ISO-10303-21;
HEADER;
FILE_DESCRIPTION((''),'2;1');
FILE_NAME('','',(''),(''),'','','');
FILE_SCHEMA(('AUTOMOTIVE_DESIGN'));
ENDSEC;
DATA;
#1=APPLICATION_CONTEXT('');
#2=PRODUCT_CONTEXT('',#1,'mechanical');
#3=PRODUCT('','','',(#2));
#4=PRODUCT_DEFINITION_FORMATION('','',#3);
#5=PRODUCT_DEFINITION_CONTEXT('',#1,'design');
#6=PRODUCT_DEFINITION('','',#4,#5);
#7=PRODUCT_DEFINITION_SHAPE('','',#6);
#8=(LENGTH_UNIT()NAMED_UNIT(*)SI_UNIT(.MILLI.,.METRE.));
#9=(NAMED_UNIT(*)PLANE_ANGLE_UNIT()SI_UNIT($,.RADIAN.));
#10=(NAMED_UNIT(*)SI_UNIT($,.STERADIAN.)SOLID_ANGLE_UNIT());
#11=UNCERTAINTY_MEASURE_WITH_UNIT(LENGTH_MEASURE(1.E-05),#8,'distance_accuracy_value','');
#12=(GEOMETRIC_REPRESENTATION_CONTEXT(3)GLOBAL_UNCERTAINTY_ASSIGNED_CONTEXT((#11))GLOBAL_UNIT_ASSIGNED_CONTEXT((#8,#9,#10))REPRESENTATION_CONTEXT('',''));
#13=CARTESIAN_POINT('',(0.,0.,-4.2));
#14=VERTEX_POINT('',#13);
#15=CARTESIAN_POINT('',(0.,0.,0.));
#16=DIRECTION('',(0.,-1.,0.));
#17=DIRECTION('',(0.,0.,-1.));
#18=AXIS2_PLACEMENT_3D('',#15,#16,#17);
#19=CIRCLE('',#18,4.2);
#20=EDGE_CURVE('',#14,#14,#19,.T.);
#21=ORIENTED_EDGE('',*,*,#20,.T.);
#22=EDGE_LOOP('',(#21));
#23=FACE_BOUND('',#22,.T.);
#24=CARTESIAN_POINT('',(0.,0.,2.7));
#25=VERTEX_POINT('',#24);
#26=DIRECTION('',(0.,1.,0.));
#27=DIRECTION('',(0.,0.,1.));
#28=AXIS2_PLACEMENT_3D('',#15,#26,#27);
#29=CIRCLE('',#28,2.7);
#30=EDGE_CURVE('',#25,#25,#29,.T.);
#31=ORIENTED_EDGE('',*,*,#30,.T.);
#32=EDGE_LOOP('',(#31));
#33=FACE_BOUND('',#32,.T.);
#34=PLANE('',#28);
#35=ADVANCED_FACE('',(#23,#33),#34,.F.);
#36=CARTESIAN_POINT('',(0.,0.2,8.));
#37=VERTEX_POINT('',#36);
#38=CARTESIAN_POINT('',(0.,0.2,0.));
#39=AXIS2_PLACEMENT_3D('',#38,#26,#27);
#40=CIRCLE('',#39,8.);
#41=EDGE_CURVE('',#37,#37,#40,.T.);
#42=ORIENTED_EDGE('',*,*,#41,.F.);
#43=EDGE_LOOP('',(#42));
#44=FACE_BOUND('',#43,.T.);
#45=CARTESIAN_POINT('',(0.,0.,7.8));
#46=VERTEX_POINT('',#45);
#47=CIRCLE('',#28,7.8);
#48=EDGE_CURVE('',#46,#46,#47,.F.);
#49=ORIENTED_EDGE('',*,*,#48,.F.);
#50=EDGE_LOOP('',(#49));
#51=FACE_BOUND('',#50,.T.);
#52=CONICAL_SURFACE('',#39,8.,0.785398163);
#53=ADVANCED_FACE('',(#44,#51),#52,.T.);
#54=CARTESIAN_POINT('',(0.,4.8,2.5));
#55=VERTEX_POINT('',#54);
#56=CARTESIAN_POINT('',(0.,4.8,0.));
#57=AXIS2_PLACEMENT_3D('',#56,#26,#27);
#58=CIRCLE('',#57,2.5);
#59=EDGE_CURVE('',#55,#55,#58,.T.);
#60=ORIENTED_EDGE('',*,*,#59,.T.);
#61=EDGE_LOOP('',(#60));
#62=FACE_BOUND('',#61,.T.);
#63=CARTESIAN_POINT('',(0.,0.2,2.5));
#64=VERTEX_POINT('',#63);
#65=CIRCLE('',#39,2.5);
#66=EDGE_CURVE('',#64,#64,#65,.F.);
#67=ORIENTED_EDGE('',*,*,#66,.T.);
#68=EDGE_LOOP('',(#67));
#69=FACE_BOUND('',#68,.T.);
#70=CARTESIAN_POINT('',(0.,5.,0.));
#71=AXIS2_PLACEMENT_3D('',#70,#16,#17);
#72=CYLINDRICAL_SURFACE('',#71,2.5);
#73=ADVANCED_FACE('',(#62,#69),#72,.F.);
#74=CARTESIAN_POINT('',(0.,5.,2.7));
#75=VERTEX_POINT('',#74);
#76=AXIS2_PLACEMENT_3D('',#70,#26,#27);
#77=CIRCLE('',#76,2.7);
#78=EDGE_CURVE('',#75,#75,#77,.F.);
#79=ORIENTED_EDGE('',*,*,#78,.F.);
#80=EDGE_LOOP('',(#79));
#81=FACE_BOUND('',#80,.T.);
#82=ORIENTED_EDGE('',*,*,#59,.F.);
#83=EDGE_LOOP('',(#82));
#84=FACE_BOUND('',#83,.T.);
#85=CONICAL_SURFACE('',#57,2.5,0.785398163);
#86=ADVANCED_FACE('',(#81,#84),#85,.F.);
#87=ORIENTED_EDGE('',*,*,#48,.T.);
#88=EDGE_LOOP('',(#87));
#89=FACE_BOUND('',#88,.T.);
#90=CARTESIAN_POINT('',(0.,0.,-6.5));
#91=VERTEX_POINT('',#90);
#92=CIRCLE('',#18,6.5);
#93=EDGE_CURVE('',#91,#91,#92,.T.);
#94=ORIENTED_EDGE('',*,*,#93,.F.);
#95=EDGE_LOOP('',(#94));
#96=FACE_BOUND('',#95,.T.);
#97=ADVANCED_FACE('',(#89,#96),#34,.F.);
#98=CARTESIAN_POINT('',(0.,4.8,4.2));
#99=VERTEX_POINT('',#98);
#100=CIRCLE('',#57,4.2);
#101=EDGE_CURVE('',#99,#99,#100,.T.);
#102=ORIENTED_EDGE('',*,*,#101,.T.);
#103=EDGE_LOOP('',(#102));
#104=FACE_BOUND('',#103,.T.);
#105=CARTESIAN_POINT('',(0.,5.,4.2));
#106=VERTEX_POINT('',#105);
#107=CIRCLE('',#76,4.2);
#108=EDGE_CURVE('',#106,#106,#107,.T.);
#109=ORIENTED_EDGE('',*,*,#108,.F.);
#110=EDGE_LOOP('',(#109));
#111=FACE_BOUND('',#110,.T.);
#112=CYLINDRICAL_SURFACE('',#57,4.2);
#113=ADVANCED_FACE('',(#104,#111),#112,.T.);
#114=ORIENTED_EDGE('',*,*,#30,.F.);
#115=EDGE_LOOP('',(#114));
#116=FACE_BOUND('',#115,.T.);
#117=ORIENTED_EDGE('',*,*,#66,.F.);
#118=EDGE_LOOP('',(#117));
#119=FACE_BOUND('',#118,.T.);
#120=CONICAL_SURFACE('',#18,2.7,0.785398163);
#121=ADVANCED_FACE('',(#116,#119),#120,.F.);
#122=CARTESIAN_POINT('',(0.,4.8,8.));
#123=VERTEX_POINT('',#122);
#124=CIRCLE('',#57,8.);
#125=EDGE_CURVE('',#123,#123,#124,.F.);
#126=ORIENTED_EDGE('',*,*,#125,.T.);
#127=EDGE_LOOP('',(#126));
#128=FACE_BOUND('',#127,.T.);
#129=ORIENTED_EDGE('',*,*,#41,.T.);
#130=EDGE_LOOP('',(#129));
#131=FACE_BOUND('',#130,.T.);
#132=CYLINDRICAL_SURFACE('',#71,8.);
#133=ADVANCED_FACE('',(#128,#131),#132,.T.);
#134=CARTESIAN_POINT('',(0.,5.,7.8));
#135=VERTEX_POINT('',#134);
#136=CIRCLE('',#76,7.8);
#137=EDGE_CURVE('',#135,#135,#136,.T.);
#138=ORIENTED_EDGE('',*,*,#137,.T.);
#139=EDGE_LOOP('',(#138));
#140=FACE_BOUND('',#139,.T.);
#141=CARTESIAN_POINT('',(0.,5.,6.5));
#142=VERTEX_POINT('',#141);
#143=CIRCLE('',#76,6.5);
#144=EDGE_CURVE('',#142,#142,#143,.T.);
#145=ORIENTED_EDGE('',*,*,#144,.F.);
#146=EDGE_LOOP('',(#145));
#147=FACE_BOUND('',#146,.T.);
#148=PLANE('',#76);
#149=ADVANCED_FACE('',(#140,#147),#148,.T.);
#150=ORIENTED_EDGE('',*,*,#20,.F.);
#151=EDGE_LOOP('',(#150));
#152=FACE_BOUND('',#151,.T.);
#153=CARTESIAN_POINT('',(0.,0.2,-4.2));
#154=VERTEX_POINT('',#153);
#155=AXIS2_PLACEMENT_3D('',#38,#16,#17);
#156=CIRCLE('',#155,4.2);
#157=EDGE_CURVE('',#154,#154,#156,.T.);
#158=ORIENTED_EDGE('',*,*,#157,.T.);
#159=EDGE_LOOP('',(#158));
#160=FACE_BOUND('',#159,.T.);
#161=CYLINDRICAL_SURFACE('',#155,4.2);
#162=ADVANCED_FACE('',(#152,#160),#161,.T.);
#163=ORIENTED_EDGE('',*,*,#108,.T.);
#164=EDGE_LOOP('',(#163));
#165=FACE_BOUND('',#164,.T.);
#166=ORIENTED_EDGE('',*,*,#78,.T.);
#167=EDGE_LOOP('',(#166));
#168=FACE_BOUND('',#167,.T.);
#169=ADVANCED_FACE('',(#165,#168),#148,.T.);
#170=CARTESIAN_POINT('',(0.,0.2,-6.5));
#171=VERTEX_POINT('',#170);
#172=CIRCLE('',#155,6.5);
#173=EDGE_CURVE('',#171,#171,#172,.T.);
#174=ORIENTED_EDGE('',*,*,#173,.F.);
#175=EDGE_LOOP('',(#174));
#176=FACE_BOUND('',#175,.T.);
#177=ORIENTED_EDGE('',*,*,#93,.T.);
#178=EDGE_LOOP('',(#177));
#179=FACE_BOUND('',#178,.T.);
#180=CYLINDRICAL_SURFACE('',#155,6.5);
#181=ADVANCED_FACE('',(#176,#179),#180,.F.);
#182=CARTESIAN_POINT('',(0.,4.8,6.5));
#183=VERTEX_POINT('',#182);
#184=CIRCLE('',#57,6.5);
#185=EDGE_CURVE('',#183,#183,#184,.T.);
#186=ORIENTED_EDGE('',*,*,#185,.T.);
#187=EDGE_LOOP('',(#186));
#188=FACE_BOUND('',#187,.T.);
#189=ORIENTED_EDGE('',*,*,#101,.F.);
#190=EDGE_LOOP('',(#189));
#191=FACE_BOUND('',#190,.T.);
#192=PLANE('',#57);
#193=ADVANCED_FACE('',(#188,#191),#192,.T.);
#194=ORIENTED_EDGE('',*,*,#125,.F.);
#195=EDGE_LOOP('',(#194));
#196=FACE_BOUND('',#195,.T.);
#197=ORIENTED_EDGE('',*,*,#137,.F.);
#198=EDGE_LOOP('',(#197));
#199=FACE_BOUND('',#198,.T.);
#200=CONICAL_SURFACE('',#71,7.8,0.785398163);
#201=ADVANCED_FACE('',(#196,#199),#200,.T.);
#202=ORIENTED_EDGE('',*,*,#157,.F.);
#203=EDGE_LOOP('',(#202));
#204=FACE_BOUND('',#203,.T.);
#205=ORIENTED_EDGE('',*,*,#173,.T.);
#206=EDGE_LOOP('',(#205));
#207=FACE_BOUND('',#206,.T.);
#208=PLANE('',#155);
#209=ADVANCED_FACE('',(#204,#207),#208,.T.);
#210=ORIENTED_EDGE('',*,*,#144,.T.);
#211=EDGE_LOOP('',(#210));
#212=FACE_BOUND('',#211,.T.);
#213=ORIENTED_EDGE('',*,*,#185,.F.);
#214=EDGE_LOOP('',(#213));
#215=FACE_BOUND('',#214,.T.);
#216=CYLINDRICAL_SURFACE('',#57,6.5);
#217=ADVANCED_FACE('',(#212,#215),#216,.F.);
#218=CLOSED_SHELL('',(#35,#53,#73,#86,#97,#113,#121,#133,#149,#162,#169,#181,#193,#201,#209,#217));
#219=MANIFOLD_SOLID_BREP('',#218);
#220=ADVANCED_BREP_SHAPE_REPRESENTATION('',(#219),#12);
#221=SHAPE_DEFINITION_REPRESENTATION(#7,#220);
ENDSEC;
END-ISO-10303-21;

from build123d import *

# Parameters (mm, degrees)
SKETCH1_R           = 8
SKETCH1_R_2         = 2.5
BOSS_EXTRUDE1_DEPTH = 5
SKETCH2_R           = 6.5
SKETCH2_R_2         = 4.2
CUT_EXTRUDE1_DEPTH  = 0.2
SKETCH3_R           = 6.5
SKETCH3_R_2         = 4.2
CUT_EXTRUDE2_DEPTH  = 0.2
CHAMFER1_SIZE       = 0.2


with BuildPart() as part:
    # Sketch1 → Boss-Extrude1 (new body)
    with BuildSketch(Plane(origin=(0, 0, 0), x_dir=(1, 0, 0), z_dir=(0, 1, 0))):
        Circle(SKETCH1_R)
        Circle(SKETCH1_R_2, mode=Mode.SUBTRACT)
    extrude(amount=BOSS_EXTRUDE1_DEPTH)

    # Sketch2 → Cut-Extrude1 (cut)
    with BuildSketch(Plane(origin=(0, 5, 0), x_dir=(1, 0, 0), z_dir=(0, 1, 0))):
        Circle(SKETCH2_R)
        Circle(SKETCH2_R_2, mode=Mode.SUBTRACT)
    extrude(amount=-CUT_EXTRUDE1_DEPTH, mode=Mode.SUBTRACT)

    # Sketch3 → Cut-Extrude2 (cut)
    with BuildSketch(Plane.XZ):
        Circle(SKETCH3_R)
        Circle(SKETCH3_R_2, mode=Mode.SUBTRACT)
    extrude(amount=-CUT_EXTRUDE2_DEPTH, mode=Mode.SUBTRACT)

    # Chamfer1
    chamfer1_edges = [part.edges().sort_by_distance(p)[0] for p in [
        (-8, 0, 0),
        (-8, 5, 0),
        (-2.5, 0, 0),
        (-2.5, 5, 0),
    ]]
    chamfer(chamfer1_edges, length=CHAMFER1_SIZE)


solid = part.part
